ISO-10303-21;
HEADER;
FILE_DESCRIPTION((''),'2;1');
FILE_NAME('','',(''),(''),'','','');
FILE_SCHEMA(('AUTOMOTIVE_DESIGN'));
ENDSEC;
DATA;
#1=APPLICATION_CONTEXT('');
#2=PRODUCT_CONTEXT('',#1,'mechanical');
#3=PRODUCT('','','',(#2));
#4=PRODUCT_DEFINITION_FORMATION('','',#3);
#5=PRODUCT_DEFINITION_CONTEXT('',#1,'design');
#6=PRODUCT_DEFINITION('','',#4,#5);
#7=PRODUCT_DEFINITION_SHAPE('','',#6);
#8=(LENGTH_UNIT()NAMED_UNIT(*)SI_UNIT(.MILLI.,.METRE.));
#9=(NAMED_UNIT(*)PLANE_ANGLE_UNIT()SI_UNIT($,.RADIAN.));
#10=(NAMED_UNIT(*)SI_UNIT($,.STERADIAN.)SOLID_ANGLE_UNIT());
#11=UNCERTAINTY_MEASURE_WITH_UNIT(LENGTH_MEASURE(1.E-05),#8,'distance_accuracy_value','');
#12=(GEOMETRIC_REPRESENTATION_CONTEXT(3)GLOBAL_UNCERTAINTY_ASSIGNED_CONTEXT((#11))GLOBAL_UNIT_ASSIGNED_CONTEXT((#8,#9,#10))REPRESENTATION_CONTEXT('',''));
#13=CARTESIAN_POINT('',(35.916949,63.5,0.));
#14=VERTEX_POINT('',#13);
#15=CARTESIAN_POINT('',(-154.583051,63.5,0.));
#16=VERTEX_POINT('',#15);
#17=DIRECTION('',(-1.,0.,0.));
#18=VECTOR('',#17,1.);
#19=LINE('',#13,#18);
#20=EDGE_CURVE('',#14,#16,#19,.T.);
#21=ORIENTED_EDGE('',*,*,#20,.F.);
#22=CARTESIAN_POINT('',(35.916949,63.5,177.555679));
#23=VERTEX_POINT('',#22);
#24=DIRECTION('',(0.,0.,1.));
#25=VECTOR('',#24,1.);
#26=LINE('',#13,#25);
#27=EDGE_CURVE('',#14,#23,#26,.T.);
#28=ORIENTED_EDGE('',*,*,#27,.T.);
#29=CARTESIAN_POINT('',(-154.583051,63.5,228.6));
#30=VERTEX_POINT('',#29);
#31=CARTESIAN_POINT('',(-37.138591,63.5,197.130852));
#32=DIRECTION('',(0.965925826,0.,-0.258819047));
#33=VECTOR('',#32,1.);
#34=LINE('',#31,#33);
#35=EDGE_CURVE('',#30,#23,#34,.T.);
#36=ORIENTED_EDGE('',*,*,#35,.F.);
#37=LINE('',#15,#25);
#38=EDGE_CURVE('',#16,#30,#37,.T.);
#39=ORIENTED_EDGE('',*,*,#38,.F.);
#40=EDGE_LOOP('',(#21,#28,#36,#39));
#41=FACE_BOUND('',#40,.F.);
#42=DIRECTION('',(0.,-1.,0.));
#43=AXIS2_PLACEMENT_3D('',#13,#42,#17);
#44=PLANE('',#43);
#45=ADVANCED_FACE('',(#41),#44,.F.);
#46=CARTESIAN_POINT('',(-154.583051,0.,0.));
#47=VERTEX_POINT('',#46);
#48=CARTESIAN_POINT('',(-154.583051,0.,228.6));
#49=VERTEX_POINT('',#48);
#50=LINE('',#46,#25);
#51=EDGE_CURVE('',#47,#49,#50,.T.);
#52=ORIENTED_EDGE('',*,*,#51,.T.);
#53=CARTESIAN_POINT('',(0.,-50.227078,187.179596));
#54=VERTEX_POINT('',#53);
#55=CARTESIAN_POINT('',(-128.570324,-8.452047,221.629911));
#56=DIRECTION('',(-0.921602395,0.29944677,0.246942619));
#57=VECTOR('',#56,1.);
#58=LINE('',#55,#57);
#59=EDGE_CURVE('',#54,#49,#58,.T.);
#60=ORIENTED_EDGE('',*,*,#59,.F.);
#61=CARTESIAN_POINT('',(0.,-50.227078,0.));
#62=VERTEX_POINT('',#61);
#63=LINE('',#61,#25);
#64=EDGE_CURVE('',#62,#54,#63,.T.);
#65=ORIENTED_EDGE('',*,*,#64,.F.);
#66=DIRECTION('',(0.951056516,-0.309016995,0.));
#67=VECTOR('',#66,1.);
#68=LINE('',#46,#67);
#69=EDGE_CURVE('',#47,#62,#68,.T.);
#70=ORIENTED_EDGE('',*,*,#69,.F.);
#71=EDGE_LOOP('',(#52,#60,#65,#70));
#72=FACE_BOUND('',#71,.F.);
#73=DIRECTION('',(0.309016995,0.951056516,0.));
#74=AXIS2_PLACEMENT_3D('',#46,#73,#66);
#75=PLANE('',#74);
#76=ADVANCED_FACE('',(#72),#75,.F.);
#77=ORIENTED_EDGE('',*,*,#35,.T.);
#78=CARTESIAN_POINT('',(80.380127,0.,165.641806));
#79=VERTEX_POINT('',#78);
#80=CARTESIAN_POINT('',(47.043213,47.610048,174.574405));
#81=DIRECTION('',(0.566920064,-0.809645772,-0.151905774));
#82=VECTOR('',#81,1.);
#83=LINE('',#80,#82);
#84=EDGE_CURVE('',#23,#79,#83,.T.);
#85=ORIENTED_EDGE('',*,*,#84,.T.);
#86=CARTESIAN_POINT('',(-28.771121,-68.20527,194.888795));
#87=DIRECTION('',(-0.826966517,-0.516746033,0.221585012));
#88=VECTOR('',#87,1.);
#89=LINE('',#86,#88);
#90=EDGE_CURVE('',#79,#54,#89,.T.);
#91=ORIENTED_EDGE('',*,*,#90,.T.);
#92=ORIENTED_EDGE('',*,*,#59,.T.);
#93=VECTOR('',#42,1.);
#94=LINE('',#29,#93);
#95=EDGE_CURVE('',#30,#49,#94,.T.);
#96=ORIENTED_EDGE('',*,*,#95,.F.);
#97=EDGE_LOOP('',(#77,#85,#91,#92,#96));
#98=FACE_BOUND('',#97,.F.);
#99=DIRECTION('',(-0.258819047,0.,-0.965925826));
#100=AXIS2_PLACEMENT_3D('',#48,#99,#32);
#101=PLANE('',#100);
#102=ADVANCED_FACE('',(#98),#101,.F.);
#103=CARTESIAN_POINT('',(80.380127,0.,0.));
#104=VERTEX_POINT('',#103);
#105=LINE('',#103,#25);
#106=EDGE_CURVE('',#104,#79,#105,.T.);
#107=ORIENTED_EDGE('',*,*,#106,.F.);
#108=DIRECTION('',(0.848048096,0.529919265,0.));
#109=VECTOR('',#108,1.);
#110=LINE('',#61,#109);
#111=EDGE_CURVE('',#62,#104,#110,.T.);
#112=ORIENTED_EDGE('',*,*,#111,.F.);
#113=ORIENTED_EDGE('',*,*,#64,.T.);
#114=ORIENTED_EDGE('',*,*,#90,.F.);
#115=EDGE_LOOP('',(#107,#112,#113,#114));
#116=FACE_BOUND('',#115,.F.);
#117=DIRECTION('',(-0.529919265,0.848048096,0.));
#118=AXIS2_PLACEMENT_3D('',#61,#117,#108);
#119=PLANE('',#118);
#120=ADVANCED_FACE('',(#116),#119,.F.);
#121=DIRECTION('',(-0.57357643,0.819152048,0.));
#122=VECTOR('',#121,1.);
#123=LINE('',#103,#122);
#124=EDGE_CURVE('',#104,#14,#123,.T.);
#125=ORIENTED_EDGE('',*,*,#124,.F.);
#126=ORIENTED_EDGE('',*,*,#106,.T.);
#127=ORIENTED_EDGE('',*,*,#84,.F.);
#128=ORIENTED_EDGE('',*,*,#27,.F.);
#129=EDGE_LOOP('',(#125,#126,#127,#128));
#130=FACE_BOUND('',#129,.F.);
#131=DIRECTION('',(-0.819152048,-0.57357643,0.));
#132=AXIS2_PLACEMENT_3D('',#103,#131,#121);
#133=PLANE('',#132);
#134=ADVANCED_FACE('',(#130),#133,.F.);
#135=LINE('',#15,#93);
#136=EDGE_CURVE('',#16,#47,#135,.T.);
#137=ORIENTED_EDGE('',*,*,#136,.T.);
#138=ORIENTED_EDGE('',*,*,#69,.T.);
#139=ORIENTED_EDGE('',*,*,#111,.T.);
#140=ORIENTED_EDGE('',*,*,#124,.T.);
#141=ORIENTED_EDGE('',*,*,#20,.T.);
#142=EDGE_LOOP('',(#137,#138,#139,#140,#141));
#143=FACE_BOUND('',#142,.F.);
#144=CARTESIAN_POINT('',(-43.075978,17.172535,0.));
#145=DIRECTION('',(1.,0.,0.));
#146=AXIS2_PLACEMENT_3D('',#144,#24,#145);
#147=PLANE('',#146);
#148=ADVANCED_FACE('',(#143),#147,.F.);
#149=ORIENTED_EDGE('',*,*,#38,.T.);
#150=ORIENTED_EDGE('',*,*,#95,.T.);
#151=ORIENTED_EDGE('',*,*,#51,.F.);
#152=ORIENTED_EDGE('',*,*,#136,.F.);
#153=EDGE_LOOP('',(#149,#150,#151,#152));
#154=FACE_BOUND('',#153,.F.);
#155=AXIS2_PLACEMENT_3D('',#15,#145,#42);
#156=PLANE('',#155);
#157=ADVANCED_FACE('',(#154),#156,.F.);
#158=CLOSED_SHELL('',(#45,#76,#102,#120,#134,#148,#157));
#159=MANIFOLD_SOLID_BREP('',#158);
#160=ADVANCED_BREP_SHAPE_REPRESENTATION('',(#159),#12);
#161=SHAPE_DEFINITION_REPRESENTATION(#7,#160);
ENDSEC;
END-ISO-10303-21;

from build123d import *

# Parameters (mm, degrees)
F1_DEPTH = 228.6
F3_DEPTH = 114.3


with BuildPart() as f1:
    # F0 (on Top) → F1 (new body)
    with BuildSketch(Plane.XY):
        Polygon((80.380127, 0), (35.916949, 63.5), (-154.583051, 63.5), (-154.583051, 0), (0, -50.227078), align=None)
    extrude(amount=F1_DEPTH)

    # F2 (on Front) → F3 (cut, symmetric)
    with BuildSketch(Plane.XZ):
        Polygon((-154.583051, 289.720148), (-154.583051, 228.6), (111.744714, 157.23769), (111.744714, 289.720148), align=None)
    extrude(amount=F3_DEPTH, both=True, mode=Mode.SUBTRACT)


solid = f1.part
